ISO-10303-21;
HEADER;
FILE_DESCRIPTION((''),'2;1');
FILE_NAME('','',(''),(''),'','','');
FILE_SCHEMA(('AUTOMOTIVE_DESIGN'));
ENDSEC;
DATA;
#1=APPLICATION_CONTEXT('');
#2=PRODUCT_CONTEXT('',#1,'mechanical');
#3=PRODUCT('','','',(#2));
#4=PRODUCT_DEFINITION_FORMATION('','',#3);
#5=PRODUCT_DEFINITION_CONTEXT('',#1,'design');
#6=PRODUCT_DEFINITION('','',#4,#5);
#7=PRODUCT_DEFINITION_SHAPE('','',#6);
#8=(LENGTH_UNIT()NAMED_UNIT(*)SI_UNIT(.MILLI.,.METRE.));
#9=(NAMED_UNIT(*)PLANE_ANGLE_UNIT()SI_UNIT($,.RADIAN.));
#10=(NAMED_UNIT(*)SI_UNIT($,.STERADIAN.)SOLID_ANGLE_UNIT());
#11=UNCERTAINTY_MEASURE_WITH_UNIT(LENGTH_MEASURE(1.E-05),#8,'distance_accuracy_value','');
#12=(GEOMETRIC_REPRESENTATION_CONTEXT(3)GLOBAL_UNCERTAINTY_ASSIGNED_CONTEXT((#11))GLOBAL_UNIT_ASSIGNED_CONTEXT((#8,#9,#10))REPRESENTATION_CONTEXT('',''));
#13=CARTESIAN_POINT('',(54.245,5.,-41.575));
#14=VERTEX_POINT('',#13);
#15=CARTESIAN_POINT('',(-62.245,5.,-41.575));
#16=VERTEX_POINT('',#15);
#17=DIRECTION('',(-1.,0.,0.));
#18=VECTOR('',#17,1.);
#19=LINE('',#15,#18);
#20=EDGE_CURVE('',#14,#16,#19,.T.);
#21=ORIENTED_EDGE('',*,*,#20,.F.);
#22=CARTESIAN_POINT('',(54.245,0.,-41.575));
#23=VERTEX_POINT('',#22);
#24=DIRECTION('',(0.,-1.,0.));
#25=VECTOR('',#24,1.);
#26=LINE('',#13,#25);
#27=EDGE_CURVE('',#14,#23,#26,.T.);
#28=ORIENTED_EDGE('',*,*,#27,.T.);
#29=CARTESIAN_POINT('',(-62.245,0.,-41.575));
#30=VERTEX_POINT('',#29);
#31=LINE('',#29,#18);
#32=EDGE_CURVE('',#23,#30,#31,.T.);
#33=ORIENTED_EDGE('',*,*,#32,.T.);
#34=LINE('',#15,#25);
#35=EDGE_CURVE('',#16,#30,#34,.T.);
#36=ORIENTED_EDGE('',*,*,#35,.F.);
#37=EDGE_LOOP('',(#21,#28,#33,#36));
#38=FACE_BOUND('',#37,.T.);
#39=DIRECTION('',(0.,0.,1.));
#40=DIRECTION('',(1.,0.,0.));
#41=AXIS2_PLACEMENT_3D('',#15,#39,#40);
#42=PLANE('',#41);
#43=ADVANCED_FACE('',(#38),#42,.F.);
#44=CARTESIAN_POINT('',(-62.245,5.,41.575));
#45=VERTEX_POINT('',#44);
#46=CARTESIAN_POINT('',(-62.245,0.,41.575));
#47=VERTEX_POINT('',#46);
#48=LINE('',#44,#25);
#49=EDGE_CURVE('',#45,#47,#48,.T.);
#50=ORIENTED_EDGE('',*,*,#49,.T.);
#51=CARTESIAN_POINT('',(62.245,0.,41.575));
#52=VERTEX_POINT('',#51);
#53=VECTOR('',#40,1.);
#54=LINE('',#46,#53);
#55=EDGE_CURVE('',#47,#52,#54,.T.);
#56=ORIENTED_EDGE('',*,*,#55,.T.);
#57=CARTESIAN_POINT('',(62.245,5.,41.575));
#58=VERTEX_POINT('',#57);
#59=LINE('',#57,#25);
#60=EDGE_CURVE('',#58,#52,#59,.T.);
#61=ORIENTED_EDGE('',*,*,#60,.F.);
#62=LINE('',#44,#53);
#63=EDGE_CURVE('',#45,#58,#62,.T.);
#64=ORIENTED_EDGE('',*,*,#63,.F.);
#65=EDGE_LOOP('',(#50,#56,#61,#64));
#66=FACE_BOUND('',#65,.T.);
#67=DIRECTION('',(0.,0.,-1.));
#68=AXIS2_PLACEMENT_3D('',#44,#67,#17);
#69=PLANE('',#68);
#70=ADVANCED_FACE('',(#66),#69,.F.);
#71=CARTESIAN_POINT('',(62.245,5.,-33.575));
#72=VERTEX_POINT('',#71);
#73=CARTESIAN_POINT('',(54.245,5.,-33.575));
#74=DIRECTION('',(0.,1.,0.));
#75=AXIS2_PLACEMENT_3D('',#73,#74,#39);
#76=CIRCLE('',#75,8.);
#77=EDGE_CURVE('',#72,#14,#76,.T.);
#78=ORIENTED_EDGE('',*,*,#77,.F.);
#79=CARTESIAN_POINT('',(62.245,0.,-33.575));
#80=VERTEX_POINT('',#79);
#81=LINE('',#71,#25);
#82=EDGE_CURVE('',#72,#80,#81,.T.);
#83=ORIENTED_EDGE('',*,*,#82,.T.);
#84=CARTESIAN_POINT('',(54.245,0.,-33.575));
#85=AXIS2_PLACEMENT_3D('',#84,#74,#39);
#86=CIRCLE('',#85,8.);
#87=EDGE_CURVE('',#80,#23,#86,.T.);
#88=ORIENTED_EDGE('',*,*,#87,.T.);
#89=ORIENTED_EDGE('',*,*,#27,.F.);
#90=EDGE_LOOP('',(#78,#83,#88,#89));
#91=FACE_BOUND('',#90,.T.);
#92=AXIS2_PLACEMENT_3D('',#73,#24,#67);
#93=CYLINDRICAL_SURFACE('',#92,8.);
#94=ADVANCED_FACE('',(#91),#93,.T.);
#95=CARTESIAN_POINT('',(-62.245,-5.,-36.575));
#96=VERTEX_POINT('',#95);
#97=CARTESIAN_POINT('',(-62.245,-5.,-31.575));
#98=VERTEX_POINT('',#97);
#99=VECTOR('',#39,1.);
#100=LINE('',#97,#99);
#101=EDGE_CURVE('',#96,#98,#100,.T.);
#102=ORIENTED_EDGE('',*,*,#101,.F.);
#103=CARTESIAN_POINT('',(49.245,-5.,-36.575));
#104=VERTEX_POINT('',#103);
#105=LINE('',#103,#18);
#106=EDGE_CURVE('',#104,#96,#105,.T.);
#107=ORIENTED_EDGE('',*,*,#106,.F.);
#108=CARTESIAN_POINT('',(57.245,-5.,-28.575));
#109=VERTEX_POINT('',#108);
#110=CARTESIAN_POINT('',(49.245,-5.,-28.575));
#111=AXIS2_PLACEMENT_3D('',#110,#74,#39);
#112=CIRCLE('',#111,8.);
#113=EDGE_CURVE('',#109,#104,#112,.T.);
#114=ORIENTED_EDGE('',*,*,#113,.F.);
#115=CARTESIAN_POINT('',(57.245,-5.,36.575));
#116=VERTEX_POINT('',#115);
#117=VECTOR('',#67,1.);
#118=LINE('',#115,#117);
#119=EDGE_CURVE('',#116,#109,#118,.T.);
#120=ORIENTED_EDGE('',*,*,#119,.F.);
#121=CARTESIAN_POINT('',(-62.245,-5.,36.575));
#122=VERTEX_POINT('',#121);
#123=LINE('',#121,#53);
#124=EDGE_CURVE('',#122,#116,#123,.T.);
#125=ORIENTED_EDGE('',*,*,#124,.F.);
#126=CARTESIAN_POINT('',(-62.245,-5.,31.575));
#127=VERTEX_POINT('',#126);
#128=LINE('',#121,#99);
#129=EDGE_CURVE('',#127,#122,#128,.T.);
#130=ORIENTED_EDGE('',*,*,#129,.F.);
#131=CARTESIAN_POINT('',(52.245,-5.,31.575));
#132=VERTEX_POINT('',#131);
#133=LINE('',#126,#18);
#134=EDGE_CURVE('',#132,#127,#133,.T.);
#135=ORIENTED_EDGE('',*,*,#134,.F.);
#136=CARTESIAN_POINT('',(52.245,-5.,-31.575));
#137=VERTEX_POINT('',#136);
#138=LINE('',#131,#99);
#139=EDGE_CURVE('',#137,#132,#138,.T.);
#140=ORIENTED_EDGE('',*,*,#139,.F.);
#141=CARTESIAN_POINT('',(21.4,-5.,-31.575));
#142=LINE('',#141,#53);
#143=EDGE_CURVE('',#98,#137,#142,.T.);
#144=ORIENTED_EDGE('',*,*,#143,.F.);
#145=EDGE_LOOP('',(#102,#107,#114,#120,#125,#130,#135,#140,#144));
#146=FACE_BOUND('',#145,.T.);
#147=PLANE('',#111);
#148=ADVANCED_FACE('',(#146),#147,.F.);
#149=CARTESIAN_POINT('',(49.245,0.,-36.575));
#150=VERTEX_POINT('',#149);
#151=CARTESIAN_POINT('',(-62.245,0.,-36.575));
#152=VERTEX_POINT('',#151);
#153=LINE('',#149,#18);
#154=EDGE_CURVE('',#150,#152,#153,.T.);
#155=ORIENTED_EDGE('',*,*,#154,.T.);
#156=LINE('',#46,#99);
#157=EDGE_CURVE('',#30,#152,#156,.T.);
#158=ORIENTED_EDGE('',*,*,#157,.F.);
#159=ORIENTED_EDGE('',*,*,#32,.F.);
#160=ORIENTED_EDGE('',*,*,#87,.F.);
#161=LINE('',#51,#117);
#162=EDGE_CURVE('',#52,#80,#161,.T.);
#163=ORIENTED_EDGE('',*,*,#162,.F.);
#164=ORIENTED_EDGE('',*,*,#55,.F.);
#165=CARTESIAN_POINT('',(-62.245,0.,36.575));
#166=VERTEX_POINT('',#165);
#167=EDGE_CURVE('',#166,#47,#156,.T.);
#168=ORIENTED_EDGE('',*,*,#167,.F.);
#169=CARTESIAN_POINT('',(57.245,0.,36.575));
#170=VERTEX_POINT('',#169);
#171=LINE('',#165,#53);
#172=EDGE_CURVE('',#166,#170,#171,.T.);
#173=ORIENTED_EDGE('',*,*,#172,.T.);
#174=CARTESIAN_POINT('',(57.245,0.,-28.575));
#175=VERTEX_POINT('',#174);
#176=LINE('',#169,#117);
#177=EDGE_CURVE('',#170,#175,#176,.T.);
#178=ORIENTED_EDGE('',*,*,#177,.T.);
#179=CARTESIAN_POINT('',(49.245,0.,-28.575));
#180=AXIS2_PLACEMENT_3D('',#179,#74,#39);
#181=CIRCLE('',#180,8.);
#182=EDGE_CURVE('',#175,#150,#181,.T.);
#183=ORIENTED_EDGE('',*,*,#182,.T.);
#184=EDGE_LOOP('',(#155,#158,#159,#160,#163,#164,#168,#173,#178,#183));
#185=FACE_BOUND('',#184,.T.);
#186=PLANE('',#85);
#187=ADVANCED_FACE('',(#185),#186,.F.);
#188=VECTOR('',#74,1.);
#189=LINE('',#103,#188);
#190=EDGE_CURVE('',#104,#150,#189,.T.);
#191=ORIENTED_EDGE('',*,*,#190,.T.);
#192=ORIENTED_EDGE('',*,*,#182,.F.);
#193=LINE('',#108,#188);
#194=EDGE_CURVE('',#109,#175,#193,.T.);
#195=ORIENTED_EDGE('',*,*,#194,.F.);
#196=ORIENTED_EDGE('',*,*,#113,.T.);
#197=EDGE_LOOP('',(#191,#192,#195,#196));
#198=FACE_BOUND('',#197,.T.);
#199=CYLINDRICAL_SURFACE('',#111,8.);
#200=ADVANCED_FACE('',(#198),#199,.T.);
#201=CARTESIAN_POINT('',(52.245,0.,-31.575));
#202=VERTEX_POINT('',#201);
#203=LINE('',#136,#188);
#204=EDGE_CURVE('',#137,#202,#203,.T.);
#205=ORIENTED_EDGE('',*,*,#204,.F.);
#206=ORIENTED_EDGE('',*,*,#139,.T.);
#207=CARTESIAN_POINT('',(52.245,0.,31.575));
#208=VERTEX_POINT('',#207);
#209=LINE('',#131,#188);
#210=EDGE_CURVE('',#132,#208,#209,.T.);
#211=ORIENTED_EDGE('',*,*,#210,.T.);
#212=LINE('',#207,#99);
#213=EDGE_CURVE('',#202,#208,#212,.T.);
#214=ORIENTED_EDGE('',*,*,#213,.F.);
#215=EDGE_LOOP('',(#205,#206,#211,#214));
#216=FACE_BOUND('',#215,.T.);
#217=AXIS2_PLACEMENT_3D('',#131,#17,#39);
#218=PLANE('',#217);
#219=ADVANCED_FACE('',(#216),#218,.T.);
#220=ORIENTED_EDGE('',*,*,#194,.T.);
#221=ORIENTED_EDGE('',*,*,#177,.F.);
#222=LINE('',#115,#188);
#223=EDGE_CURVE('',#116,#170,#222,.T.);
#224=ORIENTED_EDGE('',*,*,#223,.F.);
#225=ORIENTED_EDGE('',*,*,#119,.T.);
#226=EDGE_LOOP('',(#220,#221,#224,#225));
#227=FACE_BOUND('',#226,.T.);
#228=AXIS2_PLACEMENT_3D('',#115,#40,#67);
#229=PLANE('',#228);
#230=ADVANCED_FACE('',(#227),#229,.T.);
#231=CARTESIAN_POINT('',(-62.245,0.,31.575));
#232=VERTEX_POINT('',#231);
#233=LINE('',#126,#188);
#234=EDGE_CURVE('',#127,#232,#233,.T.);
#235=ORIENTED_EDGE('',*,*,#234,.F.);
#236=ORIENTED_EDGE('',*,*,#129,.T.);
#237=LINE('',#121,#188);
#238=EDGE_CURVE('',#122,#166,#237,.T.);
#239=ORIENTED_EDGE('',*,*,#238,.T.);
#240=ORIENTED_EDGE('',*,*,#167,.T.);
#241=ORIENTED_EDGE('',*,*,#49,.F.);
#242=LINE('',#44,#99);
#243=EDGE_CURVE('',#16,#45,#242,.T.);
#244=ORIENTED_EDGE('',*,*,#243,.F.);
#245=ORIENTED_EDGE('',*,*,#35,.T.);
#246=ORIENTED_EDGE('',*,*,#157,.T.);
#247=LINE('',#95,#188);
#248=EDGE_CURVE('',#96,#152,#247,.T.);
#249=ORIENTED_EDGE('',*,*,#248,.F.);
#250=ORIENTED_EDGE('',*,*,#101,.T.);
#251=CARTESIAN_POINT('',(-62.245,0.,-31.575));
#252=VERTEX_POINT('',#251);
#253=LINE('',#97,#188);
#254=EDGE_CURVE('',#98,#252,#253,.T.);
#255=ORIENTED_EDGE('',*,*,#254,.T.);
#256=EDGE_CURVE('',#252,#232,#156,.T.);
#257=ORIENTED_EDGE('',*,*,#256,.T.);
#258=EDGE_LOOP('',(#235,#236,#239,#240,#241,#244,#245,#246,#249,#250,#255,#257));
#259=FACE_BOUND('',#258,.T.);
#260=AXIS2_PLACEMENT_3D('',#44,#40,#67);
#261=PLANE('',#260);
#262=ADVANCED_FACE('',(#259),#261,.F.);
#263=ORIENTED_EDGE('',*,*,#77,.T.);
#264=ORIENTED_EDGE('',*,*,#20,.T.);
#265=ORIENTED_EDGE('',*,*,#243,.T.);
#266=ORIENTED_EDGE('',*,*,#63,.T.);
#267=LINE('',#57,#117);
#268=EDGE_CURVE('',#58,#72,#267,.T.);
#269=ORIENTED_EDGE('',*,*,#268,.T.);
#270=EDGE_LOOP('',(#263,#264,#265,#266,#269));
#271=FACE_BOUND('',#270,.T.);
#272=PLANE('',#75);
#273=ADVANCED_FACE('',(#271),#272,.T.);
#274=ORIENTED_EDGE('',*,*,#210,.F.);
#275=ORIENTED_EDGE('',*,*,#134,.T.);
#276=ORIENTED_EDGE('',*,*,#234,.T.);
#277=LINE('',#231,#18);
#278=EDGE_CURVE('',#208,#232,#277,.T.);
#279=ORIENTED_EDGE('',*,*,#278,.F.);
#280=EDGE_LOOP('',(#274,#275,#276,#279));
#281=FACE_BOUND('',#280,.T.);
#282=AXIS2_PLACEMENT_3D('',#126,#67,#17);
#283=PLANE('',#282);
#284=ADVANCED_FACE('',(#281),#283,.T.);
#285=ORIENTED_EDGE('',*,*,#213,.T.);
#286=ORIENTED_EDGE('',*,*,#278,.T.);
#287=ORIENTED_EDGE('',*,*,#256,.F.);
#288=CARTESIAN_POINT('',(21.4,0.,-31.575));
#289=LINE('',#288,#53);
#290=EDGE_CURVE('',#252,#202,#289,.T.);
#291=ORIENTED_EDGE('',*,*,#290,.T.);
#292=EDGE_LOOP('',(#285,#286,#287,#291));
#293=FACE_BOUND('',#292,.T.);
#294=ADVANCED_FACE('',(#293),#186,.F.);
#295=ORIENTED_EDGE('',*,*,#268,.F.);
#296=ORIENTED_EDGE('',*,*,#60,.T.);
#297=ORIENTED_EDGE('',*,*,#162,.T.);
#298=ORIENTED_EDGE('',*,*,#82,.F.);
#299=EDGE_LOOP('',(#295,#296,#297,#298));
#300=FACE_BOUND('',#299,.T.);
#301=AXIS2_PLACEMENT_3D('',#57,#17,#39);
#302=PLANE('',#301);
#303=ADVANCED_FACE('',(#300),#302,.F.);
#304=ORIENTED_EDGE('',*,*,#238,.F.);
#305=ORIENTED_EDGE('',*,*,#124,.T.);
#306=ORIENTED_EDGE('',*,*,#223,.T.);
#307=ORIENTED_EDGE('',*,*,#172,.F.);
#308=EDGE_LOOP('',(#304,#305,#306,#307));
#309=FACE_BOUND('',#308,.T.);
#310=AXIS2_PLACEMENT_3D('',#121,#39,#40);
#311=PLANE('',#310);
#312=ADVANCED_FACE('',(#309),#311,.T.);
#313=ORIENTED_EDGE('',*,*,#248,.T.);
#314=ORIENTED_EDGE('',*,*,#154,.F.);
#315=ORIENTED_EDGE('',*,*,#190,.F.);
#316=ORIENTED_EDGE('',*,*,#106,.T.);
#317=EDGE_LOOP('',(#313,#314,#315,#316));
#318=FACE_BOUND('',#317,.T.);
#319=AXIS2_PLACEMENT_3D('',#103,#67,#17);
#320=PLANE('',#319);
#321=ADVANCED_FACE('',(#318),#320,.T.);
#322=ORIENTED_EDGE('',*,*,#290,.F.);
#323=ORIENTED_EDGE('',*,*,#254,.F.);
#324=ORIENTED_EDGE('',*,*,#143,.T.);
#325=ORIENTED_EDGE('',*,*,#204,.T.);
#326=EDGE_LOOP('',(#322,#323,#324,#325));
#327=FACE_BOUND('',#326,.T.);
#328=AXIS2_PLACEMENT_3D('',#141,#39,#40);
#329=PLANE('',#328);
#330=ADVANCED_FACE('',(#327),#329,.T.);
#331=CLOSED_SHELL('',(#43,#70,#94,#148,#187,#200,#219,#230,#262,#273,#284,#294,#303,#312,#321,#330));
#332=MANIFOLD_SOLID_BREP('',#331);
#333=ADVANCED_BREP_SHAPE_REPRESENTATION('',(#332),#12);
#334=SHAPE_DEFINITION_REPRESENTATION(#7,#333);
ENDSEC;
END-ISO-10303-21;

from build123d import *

# Parameters (mm, degrees)
SALIENTE_EXTRUIR1_DEPTH = 5
SALIENTE_EXTRUIR2_DEPTH = 5


with BuildPart() as part:
    # Croquis1 → Saliente-Extruir1 (new body)
    with BuildSketch(Plane(origin=(0, 0, 0), x_dir=(1, 0, 0), z_dir=(0, 1, 0))):
        with BuildLine():
            Line((-62.245, -41.575), (62.245, -41.575))
            Line((62.245, -41.575), (62.245, 33.575))
            ThreePointArc((62.245, 33.575), (59.901854249, 39.231854249), (54.245, 41.575))
            Line((54.245, 41.575), (-62.245, 41.575))
            Line((-62.245, 41.575), (-62.245, -41.575))
        make_face()
    extrude(amount=SALIENTE_EXTRUIR1_DEPTH)

    # Croquis2 → Saliente-Extruir2 (add)
    with BuildSketch(Plane(origin=(0, 0, 0), x_dir=(1, 0, 0), z_dir=(0, 1, 0))):
        with BuildLine():
            Line((52.245, -31.575), (52.245, 31.575))
            Line((52.245, 31.575), (21.4, 31.575))
            Line((21.4, 31.575), (-62.245, 31.575))
            Line((-62.245, 31.575), (-62.245, 36.575))
            Line((-62.245, 36.575), (49.245, 36.575))
            ThreePointArc((49.245, 36.575), (54.901854249, 34.231854249), (57.245, 28.575))
            Line((57.245, 28.575), (57.245, -36.575))
            Line((57.245, -36.575), (-62.245, -36.575))
            Line((-62.245, -36.575), (-62.245, -31.575))
            Line((-62.245, -31.575), (52.245, -31.575))
        make_face()
    extrude(amount=-SALIENTE_EXTRUIR2_DEPTH)


solid = part.part
